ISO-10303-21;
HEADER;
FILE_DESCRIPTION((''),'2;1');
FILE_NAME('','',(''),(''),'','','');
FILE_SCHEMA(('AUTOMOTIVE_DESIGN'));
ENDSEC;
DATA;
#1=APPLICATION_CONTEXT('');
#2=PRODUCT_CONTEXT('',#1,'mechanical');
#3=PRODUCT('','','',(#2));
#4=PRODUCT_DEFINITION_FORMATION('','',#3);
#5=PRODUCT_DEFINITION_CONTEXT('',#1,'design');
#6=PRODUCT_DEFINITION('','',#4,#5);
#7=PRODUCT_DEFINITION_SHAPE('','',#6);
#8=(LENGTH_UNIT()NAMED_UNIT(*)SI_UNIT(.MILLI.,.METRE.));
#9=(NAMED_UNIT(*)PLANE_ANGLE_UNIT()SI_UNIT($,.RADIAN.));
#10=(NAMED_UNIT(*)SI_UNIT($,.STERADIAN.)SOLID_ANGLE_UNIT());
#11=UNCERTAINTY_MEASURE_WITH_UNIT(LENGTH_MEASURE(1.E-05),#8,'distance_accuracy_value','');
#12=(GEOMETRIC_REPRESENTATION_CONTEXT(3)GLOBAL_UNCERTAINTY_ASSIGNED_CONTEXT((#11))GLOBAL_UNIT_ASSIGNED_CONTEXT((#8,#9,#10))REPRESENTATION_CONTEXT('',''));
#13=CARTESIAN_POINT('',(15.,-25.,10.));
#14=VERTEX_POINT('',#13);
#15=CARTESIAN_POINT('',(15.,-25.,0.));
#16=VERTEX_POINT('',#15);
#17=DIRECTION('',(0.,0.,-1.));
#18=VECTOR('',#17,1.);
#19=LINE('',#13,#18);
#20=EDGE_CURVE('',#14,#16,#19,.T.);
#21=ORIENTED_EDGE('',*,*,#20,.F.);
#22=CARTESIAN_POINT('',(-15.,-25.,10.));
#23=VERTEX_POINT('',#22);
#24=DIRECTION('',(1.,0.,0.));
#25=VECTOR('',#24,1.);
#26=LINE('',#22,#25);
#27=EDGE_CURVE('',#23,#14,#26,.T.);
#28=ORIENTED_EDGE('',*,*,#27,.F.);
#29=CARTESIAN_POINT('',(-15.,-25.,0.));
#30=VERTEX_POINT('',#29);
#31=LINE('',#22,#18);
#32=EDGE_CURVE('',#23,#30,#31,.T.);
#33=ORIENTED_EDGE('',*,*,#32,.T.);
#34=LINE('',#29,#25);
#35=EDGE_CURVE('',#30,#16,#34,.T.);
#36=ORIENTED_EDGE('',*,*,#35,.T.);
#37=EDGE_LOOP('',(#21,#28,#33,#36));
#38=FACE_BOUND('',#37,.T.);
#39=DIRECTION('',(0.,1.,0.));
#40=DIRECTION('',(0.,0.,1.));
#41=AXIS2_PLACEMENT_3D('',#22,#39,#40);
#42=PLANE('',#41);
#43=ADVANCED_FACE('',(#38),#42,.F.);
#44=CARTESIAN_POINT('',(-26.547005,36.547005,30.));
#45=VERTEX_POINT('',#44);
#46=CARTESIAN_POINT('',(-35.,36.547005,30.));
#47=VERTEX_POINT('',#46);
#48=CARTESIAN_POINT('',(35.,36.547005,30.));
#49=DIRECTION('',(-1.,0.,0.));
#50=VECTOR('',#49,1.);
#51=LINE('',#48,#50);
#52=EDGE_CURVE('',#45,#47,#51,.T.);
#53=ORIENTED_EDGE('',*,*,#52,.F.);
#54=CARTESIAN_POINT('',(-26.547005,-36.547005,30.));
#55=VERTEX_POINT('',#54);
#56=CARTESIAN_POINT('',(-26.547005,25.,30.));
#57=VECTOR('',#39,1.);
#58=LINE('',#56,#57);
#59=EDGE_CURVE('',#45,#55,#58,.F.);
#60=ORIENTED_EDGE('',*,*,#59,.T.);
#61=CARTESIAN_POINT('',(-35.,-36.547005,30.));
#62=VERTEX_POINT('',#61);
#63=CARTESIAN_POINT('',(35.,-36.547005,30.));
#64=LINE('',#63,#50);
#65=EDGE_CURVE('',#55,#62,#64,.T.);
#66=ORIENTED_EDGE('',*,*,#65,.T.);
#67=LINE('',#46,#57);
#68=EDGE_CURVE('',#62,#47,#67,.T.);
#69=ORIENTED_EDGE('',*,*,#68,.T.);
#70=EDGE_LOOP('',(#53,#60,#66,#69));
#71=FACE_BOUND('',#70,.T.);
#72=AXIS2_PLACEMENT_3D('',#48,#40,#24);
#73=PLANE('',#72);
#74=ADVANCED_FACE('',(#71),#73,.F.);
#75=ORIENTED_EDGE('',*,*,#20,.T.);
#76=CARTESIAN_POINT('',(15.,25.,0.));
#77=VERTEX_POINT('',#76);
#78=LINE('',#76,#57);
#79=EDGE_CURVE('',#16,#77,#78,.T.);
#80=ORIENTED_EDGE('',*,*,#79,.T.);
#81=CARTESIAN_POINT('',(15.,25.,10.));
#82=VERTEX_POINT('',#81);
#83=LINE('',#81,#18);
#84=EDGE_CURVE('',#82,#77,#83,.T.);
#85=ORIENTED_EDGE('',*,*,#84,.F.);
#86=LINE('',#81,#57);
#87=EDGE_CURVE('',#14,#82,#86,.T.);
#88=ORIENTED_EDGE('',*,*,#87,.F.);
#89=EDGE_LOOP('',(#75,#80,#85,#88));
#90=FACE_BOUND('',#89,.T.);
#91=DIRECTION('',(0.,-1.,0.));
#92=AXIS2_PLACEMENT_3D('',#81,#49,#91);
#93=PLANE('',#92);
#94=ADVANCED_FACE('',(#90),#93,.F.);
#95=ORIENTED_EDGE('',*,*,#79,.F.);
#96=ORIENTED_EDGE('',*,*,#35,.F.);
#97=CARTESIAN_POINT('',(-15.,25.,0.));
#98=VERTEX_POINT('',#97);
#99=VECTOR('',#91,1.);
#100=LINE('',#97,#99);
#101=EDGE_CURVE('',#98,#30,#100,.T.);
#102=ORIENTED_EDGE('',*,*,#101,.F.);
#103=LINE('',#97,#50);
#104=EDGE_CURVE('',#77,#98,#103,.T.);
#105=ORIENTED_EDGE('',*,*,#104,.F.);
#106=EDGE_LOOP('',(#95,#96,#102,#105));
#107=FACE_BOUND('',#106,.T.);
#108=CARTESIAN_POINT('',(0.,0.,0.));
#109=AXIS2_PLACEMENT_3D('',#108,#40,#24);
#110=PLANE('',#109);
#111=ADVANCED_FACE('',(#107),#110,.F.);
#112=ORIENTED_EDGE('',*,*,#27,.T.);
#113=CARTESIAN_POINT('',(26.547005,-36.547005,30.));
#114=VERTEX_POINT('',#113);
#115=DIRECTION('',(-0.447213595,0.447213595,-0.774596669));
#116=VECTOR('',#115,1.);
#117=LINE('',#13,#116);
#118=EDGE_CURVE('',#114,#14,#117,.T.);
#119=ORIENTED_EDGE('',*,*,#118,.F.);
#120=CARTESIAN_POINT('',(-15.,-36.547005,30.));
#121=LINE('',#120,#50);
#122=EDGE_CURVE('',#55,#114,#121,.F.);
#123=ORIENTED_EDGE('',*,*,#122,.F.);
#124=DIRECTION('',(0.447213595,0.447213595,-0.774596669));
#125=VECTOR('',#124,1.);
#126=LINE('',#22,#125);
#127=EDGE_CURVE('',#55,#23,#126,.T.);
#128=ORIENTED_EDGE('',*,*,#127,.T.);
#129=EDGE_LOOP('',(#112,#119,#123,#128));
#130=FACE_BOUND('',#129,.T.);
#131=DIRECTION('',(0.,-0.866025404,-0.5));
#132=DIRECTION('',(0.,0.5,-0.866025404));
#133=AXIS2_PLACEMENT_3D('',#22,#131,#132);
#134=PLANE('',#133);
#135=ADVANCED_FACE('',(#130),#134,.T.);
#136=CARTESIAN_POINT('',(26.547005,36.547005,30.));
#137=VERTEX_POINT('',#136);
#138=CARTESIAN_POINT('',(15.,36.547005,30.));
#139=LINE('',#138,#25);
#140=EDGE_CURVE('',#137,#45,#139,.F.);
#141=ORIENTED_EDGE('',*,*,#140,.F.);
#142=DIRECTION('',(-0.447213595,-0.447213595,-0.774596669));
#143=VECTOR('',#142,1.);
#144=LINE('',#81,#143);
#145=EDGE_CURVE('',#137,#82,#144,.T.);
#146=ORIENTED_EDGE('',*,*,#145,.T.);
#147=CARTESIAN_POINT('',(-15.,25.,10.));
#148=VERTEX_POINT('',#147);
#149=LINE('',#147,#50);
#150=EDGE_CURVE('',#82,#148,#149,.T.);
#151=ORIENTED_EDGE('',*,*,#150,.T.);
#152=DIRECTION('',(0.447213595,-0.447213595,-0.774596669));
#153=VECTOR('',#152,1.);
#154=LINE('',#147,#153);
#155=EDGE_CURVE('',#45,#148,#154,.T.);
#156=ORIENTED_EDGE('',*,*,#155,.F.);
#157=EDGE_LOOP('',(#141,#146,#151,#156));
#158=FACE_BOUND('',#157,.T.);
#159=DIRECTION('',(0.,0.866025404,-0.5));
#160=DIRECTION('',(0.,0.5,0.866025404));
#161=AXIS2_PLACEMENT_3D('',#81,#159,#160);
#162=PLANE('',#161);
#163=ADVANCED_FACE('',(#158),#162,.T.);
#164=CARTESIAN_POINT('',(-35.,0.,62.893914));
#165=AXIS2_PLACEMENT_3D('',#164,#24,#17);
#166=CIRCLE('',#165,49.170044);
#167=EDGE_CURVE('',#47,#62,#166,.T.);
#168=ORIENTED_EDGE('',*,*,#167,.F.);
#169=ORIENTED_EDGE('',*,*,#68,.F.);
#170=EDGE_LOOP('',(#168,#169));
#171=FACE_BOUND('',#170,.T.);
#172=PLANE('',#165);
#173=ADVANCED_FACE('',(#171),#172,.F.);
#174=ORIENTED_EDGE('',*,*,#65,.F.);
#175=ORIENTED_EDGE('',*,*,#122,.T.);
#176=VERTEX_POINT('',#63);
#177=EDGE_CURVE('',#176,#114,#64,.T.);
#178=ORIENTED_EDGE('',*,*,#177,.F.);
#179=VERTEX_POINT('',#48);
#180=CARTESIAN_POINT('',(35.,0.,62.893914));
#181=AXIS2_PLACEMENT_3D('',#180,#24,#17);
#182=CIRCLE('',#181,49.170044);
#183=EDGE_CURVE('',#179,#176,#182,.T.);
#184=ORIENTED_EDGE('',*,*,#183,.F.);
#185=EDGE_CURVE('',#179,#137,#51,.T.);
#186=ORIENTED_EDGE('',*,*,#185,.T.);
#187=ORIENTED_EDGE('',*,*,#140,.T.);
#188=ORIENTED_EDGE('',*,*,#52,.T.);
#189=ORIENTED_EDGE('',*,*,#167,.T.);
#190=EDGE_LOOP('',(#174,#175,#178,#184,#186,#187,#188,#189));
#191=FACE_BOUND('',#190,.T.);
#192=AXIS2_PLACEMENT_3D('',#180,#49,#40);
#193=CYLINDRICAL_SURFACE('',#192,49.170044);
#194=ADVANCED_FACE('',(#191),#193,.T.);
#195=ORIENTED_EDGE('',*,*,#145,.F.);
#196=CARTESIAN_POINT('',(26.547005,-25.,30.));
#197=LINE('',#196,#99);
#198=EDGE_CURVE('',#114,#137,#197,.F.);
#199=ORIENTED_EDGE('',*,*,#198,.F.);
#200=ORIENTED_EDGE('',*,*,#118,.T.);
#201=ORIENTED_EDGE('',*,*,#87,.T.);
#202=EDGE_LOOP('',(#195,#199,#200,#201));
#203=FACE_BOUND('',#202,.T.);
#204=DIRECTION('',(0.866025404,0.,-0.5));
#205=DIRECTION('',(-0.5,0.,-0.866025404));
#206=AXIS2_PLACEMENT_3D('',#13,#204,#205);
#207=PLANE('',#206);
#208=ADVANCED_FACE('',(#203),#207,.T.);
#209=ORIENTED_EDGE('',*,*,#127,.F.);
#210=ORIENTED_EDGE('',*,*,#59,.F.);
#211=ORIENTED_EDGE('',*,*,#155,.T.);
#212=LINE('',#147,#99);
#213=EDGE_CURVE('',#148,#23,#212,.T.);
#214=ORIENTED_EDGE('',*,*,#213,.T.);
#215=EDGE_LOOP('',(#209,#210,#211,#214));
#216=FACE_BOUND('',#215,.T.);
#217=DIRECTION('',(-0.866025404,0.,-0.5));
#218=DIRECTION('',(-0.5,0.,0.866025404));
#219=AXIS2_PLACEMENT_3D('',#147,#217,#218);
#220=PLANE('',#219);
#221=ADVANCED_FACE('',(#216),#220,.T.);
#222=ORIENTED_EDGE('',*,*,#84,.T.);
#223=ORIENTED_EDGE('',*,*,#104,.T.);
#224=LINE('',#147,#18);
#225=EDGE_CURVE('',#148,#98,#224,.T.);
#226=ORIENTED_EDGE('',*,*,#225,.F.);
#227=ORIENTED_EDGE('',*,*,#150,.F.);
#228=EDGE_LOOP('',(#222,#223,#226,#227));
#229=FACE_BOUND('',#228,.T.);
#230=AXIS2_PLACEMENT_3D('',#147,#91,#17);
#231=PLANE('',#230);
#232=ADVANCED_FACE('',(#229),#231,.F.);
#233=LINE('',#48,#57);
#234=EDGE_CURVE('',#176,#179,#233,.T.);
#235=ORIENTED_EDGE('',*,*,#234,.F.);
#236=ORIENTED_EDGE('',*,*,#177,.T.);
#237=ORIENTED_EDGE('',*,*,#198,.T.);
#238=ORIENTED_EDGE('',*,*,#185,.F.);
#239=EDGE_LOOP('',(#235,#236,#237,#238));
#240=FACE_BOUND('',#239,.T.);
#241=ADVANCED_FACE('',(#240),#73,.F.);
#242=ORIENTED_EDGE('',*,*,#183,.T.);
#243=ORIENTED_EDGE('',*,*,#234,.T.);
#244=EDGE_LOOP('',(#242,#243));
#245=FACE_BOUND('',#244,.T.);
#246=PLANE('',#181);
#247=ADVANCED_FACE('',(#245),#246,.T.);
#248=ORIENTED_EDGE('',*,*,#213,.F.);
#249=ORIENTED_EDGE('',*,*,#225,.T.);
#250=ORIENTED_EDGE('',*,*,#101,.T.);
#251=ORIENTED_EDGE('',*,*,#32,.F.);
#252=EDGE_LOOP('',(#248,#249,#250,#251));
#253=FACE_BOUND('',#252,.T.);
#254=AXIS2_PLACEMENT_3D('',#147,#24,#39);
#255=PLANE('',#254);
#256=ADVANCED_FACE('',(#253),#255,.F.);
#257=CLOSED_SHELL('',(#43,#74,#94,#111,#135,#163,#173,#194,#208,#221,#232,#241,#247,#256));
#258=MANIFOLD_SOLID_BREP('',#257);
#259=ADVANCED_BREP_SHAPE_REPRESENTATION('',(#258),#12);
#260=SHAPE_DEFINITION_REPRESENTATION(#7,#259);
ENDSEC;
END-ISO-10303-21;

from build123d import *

# Parameters (mm, degrees)
SKETCH_1_W      = 30
SKETCH_1_H      = 50
EXTRUDE_1_DEPTH = 10
SKETCH_2_W      = 30
SKETCH_2_H      = 50
EXTRUDE_2_DEPTH = 20
EXTRUDE_2_DRAFT = -30
EXTRUDE_3_DEPTH = 35


with BuildPart() as part:
    # 草图1 → 凸台-拉伸1 (new body)
    with BuildSketch(Plane.XY):
        Rectangle(SKETCH_1_W, SKETCH_1_H)
    extrude(amount=EXTRUDE_1_DEPTH)


with BuildPart() as extrude_2_tool:
    # 草图2 → 凸台-拉伸2 (with draft: the straight prism first)
    with BuildSketch(Plane.XY.offset(10)):
        Rectangle(SKETCH_2_W, SKETCH_2_H)
    extrude(amount=EXTRUDE_2_DEPTH)
    # 凸台-拉伸2: the draft: its side faces are tilted about the plane it starts from
    extrude_2_sides = [extrude_2_tool.faces().sort_by_distance(p)[0] for p in [
        (15, 0, 20),
        (0, 25, 20),
        (-15, 0, 20),
        (0, -25, 20),
    ]]
    draft(extrude_2_sides, Plane.XY.offset(10), EXTRUDE_2_DRAFT)


with BuildPart() as part_1:
    add(part.part)

    # 凸台-拉伸2: add extrude_2_tool
    add(extrude_2_tool.part)

    # 草图3 → 凸台-拉伸3 (add, symmetric)
    with BuildSketch(Plane(origin=(0, 0, 0), x_dir=(0, 0, -1), z_dir=(1, 0, 0))):
        with BuildLine():
            Line((-30, 36.547005384), (-30, -36.547005384))
            ThreePointArc((-30, -36.547005384), (-112.063957994, 0), (-30, 36.547005384))
        make_face()
    extrude(amount=EXTRUDE_3_DEPTH, both=True)


solid = part_1.part
